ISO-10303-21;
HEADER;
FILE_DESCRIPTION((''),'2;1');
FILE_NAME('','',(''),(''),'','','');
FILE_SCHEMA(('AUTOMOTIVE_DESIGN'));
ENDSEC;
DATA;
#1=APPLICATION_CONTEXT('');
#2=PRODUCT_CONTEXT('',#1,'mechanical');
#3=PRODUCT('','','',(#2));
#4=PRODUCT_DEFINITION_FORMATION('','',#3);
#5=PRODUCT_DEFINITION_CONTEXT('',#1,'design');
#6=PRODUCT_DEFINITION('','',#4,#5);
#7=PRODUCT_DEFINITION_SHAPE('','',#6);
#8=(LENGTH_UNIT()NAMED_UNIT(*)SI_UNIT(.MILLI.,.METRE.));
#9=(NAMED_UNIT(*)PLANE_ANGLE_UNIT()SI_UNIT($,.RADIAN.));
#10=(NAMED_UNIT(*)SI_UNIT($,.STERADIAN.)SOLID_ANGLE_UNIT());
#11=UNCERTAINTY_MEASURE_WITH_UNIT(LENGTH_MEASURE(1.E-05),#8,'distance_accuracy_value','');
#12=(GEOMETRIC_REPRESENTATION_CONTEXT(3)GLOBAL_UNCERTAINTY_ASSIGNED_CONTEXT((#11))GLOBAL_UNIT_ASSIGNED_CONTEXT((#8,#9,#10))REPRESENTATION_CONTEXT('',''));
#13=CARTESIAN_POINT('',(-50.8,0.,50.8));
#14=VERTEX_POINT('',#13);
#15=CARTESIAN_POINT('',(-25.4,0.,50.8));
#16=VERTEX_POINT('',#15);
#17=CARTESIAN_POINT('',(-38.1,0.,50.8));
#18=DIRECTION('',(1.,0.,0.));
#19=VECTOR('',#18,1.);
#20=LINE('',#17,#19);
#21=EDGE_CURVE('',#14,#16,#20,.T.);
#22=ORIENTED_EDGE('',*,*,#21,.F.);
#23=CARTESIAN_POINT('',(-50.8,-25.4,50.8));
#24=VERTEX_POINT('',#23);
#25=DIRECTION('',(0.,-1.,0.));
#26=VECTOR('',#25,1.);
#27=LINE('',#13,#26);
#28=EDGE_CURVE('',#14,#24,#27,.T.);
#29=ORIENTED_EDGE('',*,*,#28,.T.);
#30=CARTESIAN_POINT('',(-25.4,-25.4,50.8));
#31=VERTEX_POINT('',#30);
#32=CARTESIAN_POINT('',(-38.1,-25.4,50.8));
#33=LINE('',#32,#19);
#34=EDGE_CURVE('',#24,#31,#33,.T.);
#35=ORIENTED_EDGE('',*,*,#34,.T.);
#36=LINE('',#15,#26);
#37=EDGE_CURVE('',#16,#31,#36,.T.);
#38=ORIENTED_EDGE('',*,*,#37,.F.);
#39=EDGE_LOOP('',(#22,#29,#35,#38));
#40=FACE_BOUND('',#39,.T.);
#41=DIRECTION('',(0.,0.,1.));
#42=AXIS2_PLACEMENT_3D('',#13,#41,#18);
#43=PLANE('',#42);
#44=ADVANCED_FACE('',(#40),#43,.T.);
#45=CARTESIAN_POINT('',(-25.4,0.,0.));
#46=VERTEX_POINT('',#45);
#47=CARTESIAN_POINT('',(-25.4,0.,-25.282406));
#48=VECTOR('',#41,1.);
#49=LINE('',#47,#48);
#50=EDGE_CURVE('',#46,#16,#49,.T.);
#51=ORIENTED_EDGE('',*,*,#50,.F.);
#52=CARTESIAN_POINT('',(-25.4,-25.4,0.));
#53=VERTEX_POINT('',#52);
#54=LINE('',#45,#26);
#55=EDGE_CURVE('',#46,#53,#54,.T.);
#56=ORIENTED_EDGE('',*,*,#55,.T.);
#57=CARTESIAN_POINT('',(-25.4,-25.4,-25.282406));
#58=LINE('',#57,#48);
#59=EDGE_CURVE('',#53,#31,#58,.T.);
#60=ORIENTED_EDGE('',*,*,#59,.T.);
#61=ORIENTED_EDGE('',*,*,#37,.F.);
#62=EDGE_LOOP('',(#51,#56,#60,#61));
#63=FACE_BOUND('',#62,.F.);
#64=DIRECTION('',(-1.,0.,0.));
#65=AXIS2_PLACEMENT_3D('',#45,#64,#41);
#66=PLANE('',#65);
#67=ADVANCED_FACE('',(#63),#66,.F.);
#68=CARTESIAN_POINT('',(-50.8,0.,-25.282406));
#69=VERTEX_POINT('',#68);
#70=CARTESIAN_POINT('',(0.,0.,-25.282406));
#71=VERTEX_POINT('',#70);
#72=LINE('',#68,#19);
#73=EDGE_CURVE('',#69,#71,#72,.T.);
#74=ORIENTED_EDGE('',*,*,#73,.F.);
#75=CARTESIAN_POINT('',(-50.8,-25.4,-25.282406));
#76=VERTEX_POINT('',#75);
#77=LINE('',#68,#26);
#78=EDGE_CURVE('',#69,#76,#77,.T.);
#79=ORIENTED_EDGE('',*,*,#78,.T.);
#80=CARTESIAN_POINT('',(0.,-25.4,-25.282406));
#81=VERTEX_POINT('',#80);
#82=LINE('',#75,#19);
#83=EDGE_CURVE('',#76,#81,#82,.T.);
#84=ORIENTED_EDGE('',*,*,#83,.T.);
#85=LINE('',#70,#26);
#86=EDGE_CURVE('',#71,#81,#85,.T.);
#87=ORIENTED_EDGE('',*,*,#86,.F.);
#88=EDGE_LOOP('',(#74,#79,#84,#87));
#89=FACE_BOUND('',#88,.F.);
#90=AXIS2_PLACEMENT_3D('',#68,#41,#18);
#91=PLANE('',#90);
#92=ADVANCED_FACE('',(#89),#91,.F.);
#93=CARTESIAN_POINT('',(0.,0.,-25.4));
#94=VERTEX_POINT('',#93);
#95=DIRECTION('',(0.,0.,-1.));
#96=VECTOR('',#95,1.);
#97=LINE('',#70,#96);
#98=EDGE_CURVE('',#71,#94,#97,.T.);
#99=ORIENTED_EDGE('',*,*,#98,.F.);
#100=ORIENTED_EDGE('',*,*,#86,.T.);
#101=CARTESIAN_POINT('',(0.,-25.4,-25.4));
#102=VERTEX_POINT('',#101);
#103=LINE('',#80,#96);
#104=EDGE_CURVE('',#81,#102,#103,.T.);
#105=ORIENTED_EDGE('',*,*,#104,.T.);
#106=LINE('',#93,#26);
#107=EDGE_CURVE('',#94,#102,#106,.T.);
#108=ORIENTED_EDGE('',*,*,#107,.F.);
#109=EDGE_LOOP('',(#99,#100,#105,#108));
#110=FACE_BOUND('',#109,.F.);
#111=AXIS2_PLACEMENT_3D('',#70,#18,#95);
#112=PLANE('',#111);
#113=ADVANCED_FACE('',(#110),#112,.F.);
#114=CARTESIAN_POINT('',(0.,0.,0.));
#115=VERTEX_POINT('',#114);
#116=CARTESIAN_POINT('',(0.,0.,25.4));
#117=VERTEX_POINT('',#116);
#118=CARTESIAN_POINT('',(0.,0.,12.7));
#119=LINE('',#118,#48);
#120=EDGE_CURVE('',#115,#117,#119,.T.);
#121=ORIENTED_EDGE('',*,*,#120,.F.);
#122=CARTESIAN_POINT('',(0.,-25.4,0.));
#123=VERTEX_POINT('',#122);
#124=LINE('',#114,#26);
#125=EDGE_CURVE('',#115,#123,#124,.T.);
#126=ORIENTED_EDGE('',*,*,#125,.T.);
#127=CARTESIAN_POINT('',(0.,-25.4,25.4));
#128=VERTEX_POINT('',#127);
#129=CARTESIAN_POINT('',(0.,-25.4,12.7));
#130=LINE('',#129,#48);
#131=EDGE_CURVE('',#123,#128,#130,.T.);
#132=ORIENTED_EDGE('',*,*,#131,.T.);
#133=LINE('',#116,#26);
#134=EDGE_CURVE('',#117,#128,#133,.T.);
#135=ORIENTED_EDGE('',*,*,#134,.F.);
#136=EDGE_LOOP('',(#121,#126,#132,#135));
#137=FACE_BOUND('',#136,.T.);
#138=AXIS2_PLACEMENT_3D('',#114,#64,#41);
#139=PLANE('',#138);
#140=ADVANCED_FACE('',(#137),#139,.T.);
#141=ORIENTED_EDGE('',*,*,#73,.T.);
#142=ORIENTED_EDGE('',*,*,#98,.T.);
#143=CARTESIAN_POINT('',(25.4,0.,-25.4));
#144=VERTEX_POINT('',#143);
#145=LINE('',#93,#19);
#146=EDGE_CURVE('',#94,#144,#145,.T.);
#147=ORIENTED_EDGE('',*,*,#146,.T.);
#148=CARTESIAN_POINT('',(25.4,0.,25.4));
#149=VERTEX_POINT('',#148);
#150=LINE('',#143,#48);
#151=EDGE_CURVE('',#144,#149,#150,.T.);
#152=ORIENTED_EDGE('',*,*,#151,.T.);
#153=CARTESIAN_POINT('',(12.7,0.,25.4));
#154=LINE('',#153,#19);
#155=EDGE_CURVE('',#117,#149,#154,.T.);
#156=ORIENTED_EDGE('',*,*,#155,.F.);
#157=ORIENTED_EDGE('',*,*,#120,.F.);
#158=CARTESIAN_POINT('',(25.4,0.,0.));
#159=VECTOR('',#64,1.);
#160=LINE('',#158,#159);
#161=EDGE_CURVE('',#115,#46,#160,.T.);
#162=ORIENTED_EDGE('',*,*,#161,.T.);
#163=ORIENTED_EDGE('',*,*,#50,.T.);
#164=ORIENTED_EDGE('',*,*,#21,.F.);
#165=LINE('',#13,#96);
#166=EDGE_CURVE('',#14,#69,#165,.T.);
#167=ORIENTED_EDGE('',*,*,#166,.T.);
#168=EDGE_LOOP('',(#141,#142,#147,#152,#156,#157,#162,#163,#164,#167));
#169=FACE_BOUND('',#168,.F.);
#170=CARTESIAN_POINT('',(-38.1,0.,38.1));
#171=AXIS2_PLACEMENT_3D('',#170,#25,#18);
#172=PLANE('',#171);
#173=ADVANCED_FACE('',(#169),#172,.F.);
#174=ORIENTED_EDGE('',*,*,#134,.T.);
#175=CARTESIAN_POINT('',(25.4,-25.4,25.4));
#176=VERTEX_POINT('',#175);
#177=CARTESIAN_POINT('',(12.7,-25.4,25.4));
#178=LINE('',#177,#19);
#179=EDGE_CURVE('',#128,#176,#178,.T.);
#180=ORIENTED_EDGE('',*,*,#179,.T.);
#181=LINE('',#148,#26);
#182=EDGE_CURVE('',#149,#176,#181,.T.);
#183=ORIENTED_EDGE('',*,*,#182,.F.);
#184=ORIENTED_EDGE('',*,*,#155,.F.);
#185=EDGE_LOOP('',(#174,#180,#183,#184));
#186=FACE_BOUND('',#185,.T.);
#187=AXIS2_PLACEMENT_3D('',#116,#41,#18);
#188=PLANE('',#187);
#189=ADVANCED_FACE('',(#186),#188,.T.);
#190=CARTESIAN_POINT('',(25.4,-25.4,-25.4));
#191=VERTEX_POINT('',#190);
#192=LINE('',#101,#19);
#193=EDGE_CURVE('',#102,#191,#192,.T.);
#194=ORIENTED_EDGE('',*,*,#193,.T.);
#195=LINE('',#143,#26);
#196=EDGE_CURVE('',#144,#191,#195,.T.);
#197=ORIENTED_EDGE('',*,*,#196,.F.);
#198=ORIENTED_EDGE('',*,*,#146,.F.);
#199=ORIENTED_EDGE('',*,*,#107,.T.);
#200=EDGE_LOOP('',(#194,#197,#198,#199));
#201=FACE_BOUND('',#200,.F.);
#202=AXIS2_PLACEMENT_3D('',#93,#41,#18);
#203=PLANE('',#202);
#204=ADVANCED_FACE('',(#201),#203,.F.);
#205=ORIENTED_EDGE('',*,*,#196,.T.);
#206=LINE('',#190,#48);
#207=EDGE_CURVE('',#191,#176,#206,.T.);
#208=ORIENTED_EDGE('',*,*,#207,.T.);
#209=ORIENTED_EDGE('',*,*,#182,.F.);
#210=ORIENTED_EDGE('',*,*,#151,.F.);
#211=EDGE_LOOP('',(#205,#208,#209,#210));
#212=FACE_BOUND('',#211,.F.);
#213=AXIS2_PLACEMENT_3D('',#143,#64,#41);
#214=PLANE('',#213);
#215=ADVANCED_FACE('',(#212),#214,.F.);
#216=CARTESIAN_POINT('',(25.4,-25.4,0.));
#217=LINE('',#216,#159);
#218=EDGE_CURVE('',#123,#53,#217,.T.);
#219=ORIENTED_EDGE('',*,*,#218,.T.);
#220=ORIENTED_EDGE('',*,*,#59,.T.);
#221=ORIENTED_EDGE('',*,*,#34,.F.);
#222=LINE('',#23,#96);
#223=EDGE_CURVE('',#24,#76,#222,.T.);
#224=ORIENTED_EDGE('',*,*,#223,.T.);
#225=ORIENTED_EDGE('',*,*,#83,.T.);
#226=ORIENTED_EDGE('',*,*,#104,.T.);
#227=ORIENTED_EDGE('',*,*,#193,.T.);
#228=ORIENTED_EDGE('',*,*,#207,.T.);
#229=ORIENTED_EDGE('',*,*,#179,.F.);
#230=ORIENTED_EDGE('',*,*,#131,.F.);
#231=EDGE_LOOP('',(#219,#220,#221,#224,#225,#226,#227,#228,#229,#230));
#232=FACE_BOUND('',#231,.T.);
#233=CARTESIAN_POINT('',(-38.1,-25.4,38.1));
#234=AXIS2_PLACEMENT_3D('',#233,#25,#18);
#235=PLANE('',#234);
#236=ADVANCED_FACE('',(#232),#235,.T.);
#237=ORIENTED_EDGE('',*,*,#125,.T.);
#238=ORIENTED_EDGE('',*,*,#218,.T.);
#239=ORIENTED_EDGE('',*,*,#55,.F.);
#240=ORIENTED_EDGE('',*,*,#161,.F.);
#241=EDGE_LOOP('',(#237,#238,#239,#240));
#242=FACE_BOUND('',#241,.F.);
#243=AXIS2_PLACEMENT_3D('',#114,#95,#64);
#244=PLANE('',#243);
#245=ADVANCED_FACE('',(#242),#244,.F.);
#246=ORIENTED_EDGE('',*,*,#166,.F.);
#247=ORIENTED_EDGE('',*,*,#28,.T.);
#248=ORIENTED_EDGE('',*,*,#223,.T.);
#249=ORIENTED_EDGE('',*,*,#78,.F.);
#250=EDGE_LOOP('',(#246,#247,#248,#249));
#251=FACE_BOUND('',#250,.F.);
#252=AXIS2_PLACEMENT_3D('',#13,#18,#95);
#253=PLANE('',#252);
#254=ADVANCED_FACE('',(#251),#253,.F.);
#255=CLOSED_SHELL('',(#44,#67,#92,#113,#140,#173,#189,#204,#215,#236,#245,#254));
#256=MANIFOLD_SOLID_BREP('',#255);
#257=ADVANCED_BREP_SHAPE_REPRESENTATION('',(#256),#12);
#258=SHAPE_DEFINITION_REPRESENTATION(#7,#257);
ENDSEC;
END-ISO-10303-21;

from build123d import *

# Parameters (mm, degrees)
F0_W     = 25.4
F0_H     = 25.4
F0_H_2   = 25.282406
F1_DEPTH = 25.4


with BuildPart() as f1:
    # F0 (on Front) → F1 (new body)
    with BuildSketch(Plane.XZ):
        with Locations((-38.1, 38.1)):
            Rectangle(F0_W, F0_H)
        with Locations((-38.1, 12.7)):
            Rectangle(F0_W, F0_H)
        with Locations((-38.1, -12.641203)):
            Rectangle(F0_W, F0_H_2)
        with Locations((-12.7, -12.641203)):
            Rectangle(F0_W, F0_H_2)
        Polygon((25.4, 0), (0, 0), (0, -25.282406), (0, -25.4), (25.4, -25.4), align=None)
        with Locations((12.7, 12.7)):
            Rectangle(F0_W, F0_H)
    extrude(amount=F1_DEPTH)


solid = f1.part
